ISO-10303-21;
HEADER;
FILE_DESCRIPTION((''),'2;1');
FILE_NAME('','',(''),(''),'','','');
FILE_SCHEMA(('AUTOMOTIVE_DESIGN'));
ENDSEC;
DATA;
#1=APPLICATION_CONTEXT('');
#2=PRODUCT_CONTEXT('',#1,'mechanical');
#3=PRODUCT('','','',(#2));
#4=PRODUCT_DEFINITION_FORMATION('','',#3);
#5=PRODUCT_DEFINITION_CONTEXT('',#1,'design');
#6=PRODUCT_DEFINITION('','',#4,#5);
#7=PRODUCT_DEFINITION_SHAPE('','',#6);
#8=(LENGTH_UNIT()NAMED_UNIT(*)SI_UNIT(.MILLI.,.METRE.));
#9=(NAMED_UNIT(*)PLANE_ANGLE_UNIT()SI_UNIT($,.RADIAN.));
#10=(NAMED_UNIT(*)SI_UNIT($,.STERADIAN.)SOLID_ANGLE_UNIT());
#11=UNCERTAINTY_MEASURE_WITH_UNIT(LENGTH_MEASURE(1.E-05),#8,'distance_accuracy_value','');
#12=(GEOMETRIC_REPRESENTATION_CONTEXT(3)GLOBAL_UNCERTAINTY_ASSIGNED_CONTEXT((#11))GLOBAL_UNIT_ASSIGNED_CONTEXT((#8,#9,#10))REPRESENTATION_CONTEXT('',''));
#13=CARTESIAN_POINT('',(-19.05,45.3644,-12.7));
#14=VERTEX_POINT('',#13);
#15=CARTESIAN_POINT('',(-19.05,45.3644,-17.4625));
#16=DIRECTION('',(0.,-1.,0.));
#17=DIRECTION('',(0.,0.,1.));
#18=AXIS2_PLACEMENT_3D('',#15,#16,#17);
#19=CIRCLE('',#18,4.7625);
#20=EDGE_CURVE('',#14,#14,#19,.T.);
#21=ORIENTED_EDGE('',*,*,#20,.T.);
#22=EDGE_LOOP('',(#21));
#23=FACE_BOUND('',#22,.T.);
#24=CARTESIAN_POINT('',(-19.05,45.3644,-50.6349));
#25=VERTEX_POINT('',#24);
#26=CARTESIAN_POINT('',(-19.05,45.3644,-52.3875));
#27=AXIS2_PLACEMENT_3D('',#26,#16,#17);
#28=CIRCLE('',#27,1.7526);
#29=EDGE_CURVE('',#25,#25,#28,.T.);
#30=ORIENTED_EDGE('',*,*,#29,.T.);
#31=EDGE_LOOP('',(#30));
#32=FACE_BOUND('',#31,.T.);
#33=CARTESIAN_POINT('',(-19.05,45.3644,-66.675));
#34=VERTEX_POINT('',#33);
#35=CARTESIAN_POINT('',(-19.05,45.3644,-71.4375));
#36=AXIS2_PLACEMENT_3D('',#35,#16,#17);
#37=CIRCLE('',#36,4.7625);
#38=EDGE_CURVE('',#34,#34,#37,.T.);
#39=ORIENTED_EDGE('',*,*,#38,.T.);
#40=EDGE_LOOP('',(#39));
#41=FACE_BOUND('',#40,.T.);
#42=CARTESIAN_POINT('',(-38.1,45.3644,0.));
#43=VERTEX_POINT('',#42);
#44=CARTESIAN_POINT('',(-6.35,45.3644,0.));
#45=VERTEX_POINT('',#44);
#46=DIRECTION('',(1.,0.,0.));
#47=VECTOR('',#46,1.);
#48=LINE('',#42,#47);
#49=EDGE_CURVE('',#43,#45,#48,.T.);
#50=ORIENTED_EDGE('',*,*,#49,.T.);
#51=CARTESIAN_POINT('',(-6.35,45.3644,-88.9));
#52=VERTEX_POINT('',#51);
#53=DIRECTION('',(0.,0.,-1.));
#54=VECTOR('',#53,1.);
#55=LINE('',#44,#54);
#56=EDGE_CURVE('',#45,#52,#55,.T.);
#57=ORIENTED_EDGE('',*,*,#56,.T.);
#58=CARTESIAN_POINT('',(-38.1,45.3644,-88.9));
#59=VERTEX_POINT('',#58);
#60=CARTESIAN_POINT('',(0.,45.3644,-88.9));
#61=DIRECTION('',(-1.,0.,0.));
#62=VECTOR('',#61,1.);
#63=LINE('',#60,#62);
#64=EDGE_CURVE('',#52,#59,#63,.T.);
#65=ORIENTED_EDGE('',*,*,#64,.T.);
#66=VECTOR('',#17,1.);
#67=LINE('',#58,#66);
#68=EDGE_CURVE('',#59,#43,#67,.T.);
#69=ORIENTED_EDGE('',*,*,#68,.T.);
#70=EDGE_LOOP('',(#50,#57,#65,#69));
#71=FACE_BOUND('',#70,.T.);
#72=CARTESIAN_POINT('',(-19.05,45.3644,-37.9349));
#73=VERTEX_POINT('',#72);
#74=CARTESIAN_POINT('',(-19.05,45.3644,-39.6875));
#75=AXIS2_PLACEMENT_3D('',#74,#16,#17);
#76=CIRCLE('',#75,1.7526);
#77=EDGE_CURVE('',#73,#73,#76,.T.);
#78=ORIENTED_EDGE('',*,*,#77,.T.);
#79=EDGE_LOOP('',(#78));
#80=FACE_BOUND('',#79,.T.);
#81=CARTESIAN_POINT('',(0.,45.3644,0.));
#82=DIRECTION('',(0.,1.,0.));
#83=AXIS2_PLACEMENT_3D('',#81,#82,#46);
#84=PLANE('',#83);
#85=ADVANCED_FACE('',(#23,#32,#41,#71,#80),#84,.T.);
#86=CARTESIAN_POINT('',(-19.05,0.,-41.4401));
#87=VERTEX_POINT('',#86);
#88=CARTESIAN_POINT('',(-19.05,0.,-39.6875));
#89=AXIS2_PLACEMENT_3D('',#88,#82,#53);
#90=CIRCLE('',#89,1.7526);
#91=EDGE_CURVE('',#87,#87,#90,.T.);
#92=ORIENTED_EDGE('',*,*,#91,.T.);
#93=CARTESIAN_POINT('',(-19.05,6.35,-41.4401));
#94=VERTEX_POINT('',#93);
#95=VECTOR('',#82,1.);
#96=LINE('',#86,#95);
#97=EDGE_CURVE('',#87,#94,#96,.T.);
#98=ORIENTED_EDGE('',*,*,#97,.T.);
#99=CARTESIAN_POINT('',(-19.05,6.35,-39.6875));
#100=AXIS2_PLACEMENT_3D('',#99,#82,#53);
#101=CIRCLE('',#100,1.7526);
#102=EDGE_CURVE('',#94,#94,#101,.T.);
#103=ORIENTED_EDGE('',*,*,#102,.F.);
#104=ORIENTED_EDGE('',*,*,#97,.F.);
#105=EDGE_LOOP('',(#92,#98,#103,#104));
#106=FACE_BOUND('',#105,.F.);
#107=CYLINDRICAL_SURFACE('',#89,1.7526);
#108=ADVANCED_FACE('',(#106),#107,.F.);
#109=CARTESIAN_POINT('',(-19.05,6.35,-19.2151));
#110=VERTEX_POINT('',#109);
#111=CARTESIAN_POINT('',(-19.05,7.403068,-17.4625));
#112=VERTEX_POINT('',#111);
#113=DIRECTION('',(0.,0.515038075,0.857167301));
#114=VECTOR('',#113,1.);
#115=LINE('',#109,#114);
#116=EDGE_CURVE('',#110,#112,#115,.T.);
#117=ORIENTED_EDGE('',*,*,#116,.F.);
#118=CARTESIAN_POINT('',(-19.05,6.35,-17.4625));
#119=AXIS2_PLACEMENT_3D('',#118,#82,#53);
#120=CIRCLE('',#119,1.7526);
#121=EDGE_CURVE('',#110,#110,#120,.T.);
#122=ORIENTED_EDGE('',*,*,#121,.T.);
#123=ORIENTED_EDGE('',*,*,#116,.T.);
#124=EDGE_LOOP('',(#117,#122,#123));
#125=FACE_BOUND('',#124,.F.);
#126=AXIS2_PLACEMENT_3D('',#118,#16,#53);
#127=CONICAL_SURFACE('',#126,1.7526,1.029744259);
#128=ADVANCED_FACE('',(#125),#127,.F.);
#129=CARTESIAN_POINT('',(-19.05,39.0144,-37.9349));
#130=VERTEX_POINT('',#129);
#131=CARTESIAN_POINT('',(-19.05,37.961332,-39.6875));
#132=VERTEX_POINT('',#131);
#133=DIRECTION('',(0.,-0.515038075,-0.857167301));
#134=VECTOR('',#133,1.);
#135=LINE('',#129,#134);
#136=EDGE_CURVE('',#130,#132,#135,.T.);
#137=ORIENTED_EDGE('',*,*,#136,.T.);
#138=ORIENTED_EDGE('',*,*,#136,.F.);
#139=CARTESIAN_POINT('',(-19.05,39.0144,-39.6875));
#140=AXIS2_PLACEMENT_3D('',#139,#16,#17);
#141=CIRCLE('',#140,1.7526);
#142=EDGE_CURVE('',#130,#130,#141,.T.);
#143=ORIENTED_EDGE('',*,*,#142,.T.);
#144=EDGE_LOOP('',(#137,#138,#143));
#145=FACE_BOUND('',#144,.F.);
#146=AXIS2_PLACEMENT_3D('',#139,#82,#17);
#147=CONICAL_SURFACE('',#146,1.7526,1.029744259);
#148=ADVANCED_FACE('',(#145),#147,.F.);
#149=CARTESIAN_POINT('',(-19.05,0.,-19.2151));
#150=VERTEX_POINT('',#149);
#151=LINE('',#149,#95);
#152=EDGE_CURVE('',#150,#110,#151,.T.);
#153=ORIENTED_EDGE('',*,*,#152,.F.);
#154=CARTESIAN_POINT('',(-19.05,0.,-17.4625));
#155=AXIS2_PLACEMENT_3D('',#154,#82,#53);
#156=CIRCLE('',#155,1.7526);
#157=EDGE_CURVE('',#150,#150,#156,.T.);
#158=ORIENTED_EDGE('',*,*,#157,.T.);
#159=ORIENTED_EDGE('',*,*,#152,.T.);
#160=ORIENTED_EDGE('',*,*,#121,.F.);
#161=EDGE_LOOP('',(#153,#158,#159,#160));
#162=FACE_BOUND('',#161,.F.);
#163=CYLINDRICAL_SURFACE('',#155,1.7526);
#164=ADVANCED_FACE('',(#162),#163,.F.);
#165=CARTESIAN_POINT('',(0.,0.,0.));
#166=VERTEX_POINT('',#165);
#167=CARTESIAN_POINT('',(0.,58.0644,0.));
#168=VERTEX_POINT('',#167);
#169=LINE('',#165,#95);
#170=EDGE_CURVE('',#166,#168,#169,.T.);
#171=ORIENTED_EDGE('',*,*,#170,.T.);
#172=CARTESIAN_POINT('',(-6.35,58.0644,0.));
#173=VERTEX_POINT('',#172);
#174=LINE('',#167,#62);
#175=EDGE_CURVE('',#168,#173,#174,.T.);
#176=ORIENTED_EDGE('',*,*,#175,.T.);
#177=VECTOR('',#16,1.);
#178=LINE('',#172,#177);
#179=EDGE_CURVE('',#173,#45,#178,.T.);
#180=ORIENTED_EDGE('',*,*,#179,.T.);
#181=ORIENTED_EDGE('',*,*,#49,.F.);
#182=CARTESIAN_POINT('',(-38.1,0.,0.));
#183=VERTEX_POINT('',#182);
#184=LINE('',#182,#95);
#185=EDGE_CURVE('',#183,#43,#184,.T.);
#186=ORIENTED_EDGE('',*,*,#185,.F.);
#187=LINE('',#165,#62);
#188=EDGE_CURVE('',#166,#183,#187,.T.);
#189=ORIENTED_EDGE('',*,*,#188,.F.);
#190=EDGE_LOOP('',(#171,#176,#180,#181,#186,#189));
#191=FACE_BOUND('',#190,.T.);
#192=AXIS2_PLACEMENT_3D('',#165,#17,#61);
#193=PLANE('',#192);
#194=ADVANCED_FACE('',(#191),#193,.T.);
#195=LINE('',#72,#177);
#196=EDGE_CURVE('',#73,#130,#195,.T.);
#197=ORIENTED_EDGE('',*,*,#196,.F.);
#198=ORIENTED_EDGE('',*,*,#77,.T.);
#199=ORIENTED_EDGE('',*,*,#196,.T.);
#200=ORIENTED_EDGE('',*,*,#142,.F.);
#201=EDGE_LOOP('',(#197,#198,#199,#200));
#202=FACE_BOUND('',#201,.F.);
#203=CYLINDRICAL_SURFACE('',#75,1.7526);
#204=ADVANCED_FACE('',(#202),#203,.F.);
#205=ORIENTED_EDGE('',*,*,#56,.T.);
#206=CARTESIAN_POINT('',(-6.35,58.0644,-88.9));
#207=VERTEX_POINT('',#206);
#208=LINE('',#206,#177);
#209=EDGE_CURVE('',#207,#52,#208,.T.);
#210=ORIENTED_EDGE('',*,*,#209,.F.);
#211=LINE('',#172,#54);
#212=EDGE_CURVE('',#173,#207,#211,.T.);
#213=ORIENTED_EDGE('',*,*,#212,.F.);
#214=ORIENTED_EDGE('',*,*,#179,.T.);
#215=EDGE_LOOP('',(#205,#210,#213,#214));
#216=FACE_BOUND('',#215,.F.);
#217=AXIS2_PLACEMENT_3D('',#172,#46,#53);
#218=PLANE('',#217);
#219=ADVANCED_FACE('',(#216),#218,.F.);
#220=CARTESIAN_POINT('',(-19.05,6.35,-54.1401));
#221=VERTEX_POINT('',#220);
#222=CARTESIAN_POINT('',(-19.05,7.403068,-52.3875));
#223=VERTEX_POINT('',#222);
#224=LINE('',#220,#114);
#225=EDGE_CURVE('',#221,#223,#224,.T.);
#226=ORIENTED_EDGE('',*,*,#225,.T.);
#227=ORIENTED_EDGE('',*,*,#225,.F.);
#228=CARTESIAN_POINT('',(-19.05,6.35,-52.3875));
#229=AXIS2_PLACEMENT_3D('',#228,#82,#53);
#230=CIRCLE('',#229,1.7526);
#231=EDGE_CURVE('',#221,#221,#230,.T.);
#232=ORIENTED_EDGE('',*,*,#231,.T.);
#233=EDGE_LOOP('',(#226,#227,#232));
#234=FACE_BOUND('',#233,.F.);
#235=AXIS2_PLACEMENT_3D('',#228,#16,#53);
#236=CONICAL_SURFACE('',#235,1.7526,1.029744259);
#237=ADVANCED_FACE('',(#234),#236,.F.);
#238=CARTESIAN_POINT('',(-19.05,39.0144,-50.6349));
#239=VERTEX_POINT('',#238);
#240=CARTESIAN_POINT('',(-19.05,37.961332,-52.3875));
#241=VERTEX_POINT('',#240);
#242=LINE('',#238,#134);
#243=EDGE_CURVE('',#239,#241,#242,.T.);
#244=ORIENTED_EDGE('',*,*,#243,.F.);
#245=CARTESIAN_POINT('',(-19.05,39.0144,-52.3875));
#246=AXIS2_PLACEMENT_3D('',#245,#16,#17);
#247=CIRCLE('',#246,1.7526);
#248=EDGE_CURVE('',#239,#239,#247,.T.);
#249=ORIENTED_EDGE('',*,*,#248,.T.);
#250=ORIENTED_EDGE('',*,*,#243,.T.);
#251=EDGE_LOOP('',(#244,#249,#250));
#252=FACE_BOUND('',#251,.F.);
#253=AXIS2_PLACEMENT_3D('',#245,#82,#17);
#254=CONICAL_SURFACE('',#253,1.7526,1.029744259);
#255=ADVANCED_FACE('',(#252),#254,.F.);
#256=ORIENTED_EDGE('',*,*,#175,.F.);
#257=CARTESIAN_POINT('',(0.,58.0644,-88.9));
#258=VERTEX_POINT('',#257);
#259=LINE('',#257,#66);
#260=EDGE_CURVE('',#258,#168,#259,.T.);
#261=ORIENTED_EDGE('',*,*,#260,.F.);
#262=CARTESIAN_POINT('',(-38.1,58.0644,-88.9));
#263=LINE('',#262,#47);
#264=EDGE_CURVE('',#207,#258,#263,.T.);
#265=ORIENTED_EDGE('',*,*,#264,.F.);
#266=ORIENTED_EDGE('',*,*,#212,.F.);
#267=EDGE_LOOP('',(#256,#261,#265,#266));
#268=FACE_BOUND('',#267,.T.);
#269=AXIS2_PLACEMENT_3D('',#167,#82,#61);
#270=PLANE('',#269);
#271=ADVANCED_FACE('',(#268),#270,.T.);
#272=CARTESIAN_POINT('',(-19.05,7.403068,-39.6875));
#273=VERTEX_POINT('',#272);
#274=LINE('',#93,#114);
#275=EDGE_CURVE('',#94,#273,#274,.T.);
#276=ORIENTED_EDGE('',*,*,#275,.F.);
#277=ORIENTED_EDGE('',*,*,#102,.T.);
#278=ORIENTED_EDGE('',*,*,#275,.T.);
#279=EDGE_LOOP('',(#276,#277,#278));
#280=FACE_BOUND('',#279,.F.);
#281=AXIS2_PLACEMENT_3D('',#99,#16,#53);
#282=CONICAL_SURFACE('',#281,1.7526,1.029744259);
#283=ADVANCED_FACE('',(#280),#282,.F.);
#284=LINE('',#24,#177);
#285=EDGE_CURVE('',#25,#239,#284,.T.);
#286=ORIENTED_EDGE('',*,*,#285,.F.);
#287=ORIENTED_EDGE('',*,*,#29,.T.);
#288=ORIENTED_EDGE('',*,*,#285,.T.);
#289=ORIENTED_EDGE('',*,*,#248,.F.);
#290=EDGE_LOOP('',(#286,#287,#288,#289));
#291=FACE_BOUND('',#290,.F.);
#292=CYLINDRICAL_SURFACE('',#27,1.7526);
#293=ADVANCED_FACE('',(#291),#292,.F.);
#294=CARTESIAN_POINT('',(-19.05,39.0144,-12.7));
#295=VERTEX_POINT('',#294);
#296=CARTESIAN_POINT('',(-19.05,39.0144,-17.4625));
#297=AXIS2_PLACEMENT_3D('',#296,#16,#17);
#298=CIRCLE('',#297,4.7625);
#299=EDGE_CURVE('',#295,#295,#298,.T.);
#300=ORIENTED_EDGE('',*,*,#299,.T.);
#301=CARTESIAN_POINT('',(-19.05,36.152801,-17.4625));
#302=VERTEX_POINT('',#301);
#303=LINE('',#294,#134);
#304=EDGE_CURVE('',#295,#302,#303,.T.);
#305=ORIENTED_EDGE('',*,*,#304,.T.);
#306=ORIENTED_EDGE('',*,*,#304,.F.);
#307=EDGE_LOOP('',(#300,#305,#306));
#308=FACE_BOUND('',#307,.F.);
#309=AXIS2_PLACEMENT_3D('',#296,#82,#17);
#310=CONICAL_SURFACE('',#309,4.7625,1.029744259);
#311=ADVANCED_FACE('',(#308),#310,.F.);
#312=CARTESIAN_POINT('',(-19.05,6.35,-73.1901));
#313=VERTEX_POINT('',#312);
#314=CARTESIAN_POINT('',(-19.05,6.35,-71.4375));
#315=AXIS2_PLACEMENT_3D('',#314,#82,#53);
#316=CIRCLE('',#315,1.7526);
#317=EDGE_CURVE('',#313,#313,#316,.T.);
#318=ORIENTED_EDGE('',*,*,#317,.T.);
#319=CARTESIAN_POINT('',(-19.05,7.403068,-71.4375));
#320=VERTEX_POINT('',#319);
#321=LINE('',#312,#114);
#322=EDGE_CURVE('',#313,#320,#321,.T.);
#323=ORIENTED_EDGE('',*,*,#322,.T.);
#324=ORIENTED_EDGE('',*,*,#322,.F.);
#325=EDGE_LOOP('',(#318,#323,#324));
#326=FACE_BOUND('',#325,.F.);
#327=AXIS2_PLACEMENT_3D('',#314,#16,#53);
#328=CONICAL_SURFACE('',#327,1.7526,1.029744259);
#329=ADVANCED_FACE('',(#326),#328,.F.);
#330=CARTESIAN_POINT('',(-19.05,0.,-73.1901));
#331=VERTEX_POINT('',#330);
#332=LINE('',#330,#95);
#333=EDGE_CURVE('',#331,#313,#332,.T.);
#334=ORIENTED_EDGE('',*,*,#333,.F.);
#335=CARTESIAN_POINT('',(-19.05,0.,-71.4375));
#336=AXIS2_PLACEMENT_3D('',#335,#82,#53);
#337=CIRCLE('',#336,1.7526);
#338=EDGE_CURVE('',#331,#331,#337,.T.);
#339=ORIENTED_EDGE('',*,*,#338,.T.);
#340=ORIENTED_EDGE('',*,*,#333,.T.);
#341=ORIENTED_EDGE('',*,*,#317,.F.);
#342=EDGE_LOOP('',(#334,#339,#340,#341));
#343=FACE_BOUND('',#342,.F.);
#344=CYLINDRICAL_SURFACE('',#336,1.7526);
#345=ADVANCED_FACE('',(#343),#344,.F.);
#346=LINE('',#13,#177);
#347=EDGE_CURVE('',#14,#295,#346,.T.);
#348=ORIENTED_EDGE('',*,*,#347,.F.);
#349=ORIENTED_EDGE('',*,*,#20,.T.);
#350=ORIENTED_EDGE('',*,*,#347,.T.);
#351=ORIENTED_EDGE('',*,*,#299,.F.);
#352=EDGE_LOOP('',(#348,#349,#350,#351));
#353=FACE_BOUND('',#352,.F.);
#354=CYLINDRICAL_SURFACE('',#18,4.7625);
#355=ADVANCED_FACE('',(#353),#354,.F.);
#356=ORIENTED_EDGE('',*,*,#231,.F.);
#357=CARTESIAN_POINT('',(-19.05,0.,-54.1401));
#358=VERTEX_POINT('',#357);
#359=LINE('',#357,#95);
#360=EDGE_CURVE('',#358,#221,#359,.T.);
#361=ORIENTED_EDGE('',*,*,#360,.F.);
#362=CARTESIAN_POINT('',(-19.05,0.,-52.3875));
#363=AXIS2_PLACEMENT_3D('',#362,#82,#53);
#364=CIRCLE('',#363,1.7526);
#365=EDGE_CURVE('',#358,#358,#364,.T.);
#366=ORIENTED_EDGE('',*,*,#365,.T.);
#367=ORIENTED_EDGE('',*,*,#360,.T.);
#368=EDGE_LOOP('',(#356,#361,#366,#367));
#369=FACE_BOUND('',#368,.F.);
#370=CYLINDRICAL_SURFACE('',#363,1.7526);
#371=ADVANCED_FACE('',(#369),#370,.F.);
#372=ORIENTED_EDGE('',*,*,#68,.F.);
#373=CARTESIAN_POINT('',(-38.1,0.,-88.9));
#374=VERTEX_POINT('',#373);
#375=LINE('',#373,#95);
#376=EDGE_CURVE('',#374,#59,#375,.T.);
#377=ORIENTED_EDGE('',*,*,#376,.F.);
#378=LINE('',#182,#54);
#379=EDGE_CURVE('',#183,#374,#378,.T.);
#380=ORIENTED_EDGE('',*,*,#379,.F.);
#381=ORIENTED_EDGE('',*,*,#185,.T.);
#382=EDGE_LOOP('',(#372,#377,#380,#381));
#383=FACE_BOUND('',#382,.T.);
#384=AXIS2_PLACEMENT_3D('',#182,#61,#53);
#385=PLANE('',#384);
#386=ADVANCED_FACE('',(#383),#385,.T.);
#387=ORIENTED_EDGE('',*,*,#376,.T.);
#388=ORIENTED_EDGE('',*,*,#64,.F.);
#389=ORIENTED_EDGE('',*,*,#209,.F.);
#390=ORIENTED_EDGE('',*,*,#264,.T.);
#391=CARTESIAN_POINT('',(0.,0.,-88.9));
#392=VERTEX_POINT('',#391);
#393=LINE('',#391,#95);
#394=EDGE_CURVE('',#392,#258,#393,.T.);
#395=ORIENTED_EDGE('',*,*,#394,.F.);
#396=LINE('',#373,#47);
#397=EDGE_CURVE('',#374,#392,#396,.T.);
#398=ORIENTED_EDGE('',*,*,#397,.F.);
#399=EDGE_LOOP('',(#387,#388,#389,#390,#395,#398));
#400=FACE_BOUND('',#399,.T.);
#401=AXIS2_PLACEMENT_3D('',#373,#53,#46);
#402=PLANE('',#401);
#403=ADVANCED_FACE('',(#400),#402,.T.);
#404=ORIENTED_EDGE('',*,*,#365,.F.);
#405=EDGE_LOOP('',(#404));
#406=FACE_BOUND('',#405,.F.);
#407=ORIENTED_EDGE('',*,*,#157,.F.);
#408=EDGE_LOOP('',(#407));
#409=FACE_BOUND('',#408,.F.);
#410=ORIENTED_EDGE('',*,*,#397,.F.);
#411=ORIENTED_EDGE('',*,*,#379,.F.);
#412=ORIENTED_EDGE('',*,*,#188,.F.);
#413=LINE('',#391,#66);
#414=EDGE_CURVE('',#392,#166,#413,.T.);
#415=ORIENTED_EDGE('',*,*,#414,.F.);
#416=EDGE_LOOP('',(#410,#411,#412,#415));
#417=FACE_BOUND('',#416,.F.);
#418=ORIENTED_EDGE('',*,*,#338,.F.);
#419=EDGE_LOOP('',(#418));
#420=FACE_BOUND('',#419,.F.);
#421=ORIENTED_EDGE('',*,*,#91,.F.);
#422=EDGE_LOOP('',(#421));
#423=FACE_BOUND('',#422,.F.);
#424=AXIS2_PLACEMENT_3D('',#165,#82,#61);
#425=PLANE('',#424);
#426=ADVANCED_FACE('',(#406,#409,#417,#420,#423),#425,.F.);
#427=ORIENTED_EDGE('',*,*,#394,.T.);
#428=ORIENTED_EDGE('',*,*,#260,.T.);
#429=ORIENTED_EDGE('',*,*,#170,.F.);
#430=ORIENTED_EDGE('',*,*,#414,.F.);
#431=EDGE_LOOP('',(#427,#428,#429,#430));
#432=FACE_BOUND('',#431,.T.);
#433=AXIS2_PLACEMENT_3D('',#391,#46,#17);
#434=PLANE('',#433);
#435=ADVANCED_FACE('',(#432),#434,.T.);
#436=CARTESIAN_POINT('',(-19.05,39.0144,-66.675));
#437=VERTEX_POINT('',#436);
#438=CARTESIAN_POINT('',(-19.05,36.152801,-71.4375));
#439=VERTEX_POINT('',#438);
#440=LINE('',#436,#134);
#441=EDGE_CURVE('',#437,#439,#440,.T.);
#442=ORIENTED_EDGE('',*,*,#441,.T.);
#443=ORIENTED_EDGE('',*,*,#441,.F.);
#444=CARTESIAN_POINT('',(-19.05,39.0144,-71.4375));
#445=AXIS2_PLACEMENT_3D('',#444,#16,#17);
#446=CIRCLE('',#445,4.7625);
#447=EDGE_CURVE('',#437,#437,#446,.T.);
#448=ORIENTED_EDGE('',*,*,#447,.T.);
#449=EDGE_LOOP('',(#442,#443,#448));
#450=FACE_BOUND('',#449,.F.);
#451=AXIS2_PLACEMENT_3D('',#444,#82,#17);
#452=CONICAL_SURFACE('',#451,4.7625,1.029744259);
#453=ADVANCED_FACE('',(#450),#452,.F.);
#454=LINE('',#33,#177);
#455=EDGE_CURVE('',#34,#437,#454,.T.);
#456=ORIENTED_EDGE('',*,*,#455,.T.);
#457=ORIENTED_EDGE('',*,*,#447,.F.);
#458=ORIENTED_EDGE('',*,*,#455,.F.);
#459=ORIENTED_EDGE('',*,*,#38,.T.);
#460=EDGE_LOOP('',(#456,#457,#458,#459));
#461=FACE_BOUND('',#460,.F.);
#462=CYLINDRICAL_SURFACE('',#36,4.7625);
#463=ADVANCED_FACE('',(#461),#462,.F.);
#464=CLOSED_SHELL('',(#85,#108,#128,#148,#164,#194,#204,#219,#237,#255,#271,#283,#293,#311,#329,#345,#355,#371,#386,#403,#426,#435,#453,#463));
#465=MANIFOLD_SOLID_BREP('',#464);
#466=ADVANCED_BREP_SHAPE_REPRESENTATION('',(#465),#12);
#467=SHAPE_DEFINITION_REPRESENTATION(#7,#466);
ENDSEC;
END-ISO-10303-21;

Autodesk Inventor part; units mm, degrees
ref_plane "YZ Plane" through (0, 0, 0) normal (1, 0, 0) x (0, 1, 0)
ref_plane "XZ Plane" through (0, 0, 0) normal (0, 1, 0) x (-1, 0, 0)
ref_plane "XY Plane" through (0, 0, 0) normal (0, 0, 1) x (1, 0, 0)
sketch "Sketch1" plane through (0, 0, 0) normal (0, 1, 0) x (-1, 0, 0)
  line L0 (0, 0) -> (38.1, 0)
  line L1 (38.1, 0) -> (38.1, -88.9)
  line L2 (38.1, -88.9) -> (0, -88.9)
  line L3 (0, -88.9) -> (0, 0)
  dimension "d0" = 88.9
  dimension "d1" = 38.1
extrude "Extrusion1" add sketch "Sketch1" along normal blind 58.0644
sketch "Sketch6" plane through (0, 58.0644, 0) normal (0, 1, 0) x (1, 0, 0)
  line L0 (-38.1, 0) -> (0, 0) projected
  line L1 (0, 0) -> (0, 88.9) projected
  line L2 (0, 88.9) -> (-38.1, 88.9) projected
  line L3 (-38.1, 88.9) -> (-38.1, 0) projected
  line L4 (-38.1, 0) -> (-6.35, 0)
  line L5 (-6.35, 0) -> (-6.35, 88.9)
  line L6 (-6.35, 88.9) -> (-38.1, 88.9)
  line L7 (-38.1, 88.9) -> (-38.1, 0)
  dimension "d38" = 0
  dimension "d39" = 31.75
  dimension "d40" = 0
  dimension "d41" = 88.9
extrude "Extrusion5" cut sketch "Sketch6" against normal blind 12.7 contours L3 L2 L5 L0
sketch "Sketch7" plane through (0, 45.3644, 0) normal (0, 1, 0) x (1, 0, 0)
  arc A0 (-20.2095, 23.7057) -> (-20.2095, 11.2193) centre (-19.05, 17.4625) ccw projected
  line L0 (-26.5557, 23.7057) -> (-20.2095, 23.7057) projected
  line L1 (-26.5557, 11.2193) -> (-26.5557, 23.7057) projected
  line L2 (-26.5557, 11.2193) -> (-20.2095, 11.2193) projected
  arc A1 (-17.8905, 11.2193) -> (-17.8905, 23.7057) centre (-19.05, 17.4625) ccw projected
  line L3 (-17.8905, 11.2193) -> (-11.5443, 11.2193) projected
  line L4 (-11.5443, 23.7057) -> (-11.5443, 11.2193) projected
  line L5 (-17.8905, 23.7057) -> (-11.5443, 23.7057) projected
  arc A2 (-25.2932, 70.278) -> (-12.8068, 70.278) centre (-19.05, 71.4375) ccw projected
  line L6 (-25.2932, 70.278) -> (-25.2932, 63.9318) projected
  line L7 (-12.8068, 63.9318) -> (-25.2932, 63.9318) projected
  line L8 (-12.8068, 70.278) -> (-12.8068, 63.9318) projected
  arc A3 (-12.8068, 72.597) -> (-25.2932, 72.597) centre (-19.05, 71.4375) ccw projected
  line L9 (-12.8068, 78.9432) -> (-12.8068, 72.597) projected
  line L10 (-25.2932, 78.9432) -> (-12.8068, 78.9432) projected
  line L11 (-25.2932, 78.9432) -> (-25.2932, 72.597) projected
  circle A4 centre (-19.05, 52.3875) radius 1.7526 projected
  circle A5 centre (-19.05, 39.6875) radius 1.7526 projected
  point P0 (0, 0)
hole "Hole2" at (-19.05, 45.3644, -71.4375) at (-19.05, 45.3644, -17.4625) direction (0, -1, 0) diameter 9.525 depth 6.35 tip angle 118
sketch "Sketch8" plane through (0, 45.3644, 0) normal (0, 1, 0) x (1, 0, 0)
  circle A0 centre (-19.05, 52.3875) radius 1.7526 projected
  circle A1 centre (-19.05, 39.6875) radius 1.7526 projected
  point P0 (0, 0)
hole "Hole3" at (-19.05, 45.3644, -52.3875) at (-19.05, 45.3644, -39.6875) direction (0, -1, 0) diameter 3.5052 depth 6.35 tip angle 118
sketch "Sketch9" plane through (0, 0, 0) normal (0, -1, 0) x (1, 0, 0)
  line L0 (0, 0) -> (-38.1, 0) projected
  line L1 (-38.1, 0) -> (-38.1, -88.9) projected
  line L2 (-38.1, -88.9) -> (0, -88.9) projected
  line L3 (0, -88.9) -> (0, 0) projected
  circle A0 centre (-19.05, -17.4625) radius 4.7625 projected
  circle A1 centre (-19.05, -71.4375) radius 4.7625 projected
  circle A2 centre (-19.05, -39.6875) radius 1.7526 projected
  circle A3 centre (-19.05, -52.3875) radius 1.7526 projected
  circle A4 centre (-19.05, -39.6875) radius 1.7526 projected
  circle A5 centre (-19.05, -52.3875) radius 1.7526 projected
hole "Hole4" at (-19.05, 0, -17.4625) at (-19.05, 0, -71.4375) at (-19.05, 0, -39.6875) at (-19.05, 0, -52.3875) direction (0, 1, 0) diameter 3.5052 depth 6.35 tip angle 118
thread "Thread1" size "6-32 UNC" class "2B" standard "ANSI Unified Screw Threads" full length
thread "Thread2" size "6-32 UNC" class "2B" standard "ANSI Unified Screw Threads" full length
thread "Thread3" size "6-32 UNC" class "2B" standard "ANSI Unified Screw Threads" full length
thread "Thread4" size "6-32 UNC" class "2B" standard "ANSI Unified Screw Threads" full length
thread "Thread5" size "6-32 UNC" class "2B" standard "ANSI Unified Screw Threads" full length
thread "Thread6" size "6-32 UNC" class "2B" standard "ANSI Unified Screw Threads" full length
properties part number "TSV-Support"
